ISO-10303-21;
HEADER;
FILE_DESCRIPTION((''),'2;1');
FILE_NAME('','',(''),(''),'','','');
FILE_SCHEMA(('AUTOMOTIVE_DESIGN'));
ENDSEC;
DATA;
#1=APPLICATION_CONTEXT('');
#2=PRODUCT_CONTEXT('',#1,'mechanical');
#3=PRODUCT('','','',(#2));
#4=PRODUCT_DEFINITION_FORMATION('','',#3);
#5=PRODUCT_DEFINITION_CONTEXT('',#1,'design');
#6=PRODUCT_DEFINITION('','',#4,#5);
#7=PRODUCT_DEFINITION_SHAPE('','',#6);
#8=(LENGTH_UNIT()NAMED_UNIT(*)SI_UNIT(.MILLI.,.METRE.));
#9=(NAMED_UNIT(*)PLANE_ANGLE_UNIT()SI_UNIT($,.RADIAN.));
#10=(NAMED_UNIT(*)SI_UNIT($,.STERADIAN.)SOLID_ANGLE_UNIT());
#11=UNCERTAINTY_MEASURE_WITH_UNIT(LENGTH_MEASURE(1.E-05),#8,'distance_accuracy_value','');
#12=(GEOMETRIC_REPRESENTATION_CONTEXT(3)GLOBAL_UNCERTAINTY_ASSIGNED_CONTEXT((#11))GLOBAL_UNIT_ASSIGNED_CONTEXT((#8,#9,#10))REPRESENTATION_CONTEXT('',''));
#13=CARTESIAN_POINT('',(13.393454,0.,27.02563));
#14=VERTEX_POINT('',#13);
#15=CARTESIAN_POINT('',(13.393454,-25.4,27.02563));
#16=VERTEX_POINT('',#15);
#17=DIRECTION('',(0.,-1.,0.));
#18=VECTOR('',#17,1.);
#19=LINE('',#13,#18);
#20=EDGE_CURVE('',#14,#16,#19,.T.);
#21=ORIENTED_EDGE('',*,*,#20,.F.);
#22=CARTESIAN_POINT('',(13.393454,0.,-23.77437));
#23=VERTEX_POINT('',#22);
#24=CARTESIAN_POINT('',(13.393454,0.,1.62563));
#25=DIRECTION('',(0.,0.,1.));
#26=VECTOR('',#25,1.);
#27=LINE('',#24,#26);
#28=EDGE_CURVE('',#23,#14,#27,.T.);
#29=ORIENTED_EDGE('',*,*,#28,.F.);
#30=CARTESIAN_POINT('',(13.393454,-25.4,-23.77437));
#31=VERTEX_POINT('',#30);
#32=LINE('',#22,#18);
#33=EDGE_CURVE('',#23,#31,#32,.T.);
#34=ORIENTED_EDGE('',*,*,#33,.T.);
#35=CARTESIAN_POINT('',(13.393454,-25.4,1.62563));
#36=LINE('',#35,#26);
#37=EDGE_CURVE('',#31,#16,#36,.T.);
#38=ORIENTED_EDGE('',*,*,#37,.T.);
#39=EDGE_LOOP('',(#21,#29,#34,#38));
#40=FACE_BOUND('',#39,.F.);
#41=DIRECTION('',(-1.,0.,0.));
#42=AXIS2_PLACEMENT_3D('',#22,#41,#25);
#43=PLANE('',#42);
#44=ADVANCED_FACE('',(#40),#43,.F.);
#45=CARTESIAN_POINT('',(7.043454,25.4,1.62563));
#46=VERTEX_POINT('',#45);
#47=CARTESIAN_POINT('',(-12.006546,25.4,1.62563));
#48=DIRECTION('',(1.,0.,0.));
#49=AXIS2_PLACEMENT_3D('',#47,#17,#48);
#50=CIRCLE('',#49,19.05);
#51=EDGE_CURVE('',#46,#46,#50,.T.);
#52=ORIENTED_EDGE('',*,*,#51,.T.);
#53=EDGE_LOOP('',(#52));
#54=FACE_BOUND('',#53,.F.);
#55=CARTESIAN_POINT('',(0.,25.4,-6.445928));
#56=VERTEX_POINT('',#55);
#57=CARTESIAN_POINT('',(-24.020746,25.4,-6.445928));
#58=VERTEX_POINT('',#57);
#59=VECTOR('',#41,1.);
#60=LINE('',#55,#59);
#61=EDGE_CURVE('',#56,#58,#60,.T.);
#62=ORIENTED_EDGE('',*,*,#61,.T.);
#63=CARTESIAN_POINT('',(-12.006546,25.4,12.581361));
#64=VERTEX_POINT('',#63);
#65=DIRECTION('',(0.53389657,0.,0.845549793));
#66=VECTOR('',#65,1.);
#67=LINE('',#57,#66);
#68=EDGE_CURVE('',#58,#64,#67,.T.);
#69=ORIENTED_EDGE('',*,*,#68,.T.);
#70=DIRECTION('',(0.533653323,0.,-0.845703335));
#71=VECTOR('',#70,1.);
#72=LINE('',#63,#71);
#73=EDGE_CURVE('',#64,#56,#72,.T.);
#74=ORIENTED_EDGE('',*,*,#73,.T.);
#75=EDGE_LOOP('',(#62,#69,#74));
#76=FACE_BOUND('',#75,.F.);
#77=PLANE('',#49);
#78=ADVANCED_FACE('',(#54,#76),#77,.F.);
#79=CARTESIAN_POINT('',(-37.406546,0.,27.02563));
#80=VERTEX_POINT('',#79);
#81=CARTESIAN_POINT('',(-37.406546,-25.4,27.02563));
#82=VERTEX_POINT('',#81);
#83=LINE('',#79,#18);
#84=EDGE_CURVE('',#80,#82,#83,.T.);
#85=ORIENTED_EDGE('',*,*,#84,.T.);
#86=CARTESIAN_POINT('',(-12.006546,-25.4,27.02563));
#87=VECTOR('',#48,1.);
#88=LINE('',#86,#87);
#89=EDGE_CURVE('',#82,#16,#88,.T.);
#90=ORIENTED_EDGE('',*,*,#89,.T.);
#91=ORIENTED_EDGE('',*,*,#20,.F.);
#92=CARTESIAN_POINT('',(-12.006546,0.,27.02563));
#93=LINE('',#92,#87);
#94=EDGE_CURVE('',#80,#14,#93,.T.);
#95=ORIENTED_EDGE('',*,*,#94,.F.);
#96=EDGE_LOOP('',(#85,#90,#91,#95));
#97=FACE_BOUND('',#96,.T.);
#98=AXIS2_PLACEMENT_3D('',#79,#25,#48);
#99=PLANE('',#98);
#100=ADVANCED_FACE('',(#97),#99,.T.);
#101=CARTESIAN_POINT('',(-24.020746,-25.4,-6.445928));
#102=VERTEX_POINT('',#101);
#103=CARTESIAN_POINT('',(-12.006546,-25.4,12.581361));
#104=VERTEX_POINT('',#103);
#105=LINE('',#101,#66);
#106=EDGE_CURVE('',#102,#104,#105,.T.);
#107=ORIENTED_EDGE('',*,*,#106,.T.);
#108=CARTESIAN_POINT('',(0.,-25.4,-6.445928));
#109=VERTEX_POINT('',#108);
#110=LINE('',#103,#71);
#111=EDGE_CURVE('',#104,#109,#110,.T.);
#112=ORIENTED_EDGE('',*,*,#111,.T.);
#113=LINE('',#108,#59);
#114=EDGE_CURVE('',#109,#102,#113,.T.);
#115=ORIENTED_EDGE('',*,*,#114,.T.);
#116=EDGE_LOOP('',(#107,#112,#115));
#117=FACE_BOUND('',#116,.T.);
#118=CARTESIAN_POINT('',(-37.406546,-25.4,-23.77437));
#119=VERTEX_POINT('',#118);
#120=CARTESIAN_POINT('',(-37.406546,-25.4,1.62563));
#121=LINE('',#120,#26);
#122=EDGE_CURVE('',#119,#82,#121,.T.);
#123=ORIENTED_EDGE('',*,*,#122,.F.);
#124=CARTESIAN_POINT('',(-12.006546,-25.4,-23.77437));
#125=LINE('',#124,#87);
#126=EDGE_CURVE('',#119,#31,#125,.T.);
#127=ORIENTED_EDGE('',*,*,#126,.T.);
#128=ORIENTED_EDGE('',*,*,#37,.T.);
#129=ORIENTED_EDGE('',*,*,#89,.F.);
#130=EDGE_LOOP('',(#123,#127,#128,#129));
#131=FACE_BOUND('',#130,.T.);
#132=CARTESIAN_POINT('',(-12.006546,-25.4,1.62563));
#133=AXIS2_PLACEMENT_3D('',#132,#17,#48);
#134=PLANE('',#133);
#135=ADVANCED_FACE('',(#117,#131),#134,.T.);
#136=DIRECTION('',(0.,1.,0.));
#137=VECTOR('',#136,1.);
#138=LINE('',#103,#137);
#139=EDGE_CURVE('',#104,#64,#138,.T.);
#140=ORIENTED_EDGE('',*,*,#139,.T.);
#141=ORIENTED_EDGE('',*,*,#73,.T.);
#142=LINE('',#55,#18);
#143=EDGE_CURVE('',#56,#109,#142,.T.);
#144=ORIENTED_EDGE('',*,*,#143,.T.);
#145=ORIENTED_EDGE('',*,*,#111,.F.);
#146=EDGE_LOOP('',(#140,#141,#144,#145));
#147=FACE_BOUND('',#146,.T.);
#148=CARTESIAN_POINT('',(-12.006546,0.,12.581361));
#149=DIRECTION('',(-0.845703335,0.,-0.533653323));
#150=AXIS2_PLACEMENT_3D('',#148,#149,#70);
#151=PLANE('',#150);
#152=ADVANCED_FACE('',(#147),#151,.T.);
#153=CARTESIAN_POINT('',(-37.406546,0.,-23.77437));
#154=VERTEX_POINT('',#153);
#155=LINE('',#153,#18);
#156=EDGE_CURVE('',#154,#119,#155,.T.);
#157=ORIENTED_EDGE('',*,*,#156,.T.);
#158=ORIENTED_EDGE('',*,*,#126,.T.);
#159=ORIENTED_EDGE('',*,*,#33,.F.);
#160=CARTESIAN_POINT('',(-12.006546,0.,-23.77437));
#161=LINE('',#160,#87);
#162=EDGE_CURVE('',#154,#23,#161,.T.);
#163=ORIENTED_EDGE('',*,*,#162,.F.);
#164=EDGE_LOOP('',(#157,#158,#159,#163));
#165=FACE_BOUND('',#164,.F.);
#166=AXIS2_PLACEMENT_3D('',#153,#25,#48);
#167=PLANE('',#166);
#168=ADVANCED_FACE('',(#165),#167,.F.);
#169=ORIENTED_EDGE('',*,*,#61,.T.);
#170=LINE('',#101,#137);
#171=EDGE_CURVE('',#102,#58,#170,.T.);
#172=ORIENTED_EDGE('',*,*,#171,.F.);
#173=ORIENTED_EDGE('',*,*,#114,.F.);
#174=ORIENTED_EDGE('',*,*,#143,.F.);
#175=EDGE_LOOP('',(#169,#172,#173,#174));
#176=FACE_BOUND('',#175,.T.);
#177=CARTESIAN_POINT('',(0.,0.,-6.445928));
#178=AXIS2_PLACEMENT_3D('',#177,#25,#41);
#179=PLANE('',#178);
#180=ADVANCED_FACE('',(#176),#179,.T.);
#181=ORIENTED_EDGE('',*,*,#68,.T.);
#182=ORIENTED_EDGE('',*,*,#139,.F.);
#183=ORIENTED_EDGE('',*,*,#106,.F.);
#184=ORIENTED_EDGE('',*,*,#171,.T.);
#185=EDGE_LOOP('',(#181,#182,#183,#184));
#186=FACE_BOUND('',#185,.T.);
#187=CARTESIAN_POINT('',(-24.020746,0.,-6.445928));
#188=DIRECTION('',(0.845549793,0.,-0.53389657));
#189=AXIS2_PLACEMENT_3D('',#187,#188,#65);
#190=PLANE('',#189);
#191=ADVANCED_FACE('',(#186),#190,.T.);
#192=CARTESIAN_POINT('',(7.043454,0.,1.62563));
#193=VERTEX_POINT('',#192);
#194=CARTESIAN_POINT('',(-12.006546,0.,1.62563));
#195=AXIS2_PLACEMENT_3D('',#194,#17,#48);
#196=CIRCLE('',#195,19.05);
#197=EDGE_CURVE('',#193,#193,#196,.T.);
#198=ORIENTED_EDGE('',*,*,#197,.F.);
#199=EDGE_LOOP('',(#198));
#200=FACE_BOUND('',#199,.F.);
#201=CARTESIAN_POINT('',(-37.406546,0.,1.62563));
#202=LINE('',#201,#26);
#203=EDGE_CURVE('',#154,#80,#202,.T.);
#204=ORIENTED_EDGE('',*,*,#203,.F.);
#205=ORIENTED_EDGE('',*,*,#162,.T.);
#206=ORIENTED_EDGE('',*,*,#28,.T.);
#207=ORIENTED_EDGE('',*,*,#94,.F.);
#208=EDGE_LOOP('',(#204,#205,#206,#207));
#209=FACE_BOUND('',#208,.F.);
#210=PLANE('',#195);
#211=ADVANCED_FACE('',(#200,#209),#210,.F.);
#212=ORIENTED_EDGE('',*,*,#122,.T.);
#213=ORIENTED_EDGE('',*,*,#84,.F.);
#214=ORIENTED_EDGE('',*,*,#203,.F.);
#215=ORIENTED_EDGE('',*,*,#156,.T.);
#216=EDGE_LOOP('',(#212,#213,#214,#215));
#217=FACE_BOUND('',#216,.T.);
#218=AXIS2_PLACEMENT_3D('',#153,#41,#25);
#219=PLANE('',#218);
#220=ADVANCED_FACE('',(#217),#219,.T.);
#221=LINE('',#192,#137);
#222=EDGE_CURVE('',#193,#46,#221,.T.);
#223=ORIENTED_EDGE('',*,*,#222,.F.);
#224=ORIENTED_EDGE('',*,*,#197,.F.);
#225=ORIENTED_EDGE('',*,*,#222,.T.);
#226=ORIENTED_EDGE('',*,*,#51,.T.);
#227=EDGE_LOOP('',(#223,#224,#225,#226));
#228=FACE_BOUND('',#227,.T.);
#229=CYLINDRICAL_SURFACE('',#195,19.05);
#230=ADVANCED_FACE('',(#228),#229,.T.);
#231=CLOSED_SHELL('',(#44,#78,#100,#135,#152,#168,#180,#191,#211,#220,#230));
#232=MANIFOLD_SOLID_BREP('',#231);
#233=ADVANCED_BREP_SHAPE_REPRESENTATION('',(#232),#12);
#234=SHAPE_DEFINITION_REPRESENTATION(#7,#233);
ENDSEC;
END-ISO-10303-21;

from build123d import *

# Parameters (mm, degrees)
F0_W     = 50.8
F0_H     = 50.8
F0_R     = 19.05
F1_DEPTH = 25.4
F2_DEPTH = 25.4


with BuildPart() as f1:
    # F0 (on Front) → F1 (new body)
    with BuildSketch(Plane.XZ):
        with Locations((-12.006546, 1.62563)):
            Rectangle(F0_W, F0_H)
        with Locations((-12.006546, 1.62563)):
            Circle(F0_R, mode=Mode.SUBTRACT)
        with Locations((-12.006546, 1.62563)):
            Circle(F0_R)
        Polygon((0, -6.445928), (-24.020746, -6.445928), (-12.006546, 12.581361), align=None, mode=Mode.SUBTRACT)
    extrude(amount=F1_DEPTH)

    # F0 (on Front) → F2 (join)
    with BuildSketch(Plane.XZ):
        with Locations((-12.006546, 1.62563)):
            Circle(F0_R)
        Polygon((0, -6.445928), (-24.020746, -6.445928), (-12.006546, 12.581361), align=None, mode=Mode.SUBTRACT)
    extrude(amount=-F2_DEPTH)


solid = f1.part
